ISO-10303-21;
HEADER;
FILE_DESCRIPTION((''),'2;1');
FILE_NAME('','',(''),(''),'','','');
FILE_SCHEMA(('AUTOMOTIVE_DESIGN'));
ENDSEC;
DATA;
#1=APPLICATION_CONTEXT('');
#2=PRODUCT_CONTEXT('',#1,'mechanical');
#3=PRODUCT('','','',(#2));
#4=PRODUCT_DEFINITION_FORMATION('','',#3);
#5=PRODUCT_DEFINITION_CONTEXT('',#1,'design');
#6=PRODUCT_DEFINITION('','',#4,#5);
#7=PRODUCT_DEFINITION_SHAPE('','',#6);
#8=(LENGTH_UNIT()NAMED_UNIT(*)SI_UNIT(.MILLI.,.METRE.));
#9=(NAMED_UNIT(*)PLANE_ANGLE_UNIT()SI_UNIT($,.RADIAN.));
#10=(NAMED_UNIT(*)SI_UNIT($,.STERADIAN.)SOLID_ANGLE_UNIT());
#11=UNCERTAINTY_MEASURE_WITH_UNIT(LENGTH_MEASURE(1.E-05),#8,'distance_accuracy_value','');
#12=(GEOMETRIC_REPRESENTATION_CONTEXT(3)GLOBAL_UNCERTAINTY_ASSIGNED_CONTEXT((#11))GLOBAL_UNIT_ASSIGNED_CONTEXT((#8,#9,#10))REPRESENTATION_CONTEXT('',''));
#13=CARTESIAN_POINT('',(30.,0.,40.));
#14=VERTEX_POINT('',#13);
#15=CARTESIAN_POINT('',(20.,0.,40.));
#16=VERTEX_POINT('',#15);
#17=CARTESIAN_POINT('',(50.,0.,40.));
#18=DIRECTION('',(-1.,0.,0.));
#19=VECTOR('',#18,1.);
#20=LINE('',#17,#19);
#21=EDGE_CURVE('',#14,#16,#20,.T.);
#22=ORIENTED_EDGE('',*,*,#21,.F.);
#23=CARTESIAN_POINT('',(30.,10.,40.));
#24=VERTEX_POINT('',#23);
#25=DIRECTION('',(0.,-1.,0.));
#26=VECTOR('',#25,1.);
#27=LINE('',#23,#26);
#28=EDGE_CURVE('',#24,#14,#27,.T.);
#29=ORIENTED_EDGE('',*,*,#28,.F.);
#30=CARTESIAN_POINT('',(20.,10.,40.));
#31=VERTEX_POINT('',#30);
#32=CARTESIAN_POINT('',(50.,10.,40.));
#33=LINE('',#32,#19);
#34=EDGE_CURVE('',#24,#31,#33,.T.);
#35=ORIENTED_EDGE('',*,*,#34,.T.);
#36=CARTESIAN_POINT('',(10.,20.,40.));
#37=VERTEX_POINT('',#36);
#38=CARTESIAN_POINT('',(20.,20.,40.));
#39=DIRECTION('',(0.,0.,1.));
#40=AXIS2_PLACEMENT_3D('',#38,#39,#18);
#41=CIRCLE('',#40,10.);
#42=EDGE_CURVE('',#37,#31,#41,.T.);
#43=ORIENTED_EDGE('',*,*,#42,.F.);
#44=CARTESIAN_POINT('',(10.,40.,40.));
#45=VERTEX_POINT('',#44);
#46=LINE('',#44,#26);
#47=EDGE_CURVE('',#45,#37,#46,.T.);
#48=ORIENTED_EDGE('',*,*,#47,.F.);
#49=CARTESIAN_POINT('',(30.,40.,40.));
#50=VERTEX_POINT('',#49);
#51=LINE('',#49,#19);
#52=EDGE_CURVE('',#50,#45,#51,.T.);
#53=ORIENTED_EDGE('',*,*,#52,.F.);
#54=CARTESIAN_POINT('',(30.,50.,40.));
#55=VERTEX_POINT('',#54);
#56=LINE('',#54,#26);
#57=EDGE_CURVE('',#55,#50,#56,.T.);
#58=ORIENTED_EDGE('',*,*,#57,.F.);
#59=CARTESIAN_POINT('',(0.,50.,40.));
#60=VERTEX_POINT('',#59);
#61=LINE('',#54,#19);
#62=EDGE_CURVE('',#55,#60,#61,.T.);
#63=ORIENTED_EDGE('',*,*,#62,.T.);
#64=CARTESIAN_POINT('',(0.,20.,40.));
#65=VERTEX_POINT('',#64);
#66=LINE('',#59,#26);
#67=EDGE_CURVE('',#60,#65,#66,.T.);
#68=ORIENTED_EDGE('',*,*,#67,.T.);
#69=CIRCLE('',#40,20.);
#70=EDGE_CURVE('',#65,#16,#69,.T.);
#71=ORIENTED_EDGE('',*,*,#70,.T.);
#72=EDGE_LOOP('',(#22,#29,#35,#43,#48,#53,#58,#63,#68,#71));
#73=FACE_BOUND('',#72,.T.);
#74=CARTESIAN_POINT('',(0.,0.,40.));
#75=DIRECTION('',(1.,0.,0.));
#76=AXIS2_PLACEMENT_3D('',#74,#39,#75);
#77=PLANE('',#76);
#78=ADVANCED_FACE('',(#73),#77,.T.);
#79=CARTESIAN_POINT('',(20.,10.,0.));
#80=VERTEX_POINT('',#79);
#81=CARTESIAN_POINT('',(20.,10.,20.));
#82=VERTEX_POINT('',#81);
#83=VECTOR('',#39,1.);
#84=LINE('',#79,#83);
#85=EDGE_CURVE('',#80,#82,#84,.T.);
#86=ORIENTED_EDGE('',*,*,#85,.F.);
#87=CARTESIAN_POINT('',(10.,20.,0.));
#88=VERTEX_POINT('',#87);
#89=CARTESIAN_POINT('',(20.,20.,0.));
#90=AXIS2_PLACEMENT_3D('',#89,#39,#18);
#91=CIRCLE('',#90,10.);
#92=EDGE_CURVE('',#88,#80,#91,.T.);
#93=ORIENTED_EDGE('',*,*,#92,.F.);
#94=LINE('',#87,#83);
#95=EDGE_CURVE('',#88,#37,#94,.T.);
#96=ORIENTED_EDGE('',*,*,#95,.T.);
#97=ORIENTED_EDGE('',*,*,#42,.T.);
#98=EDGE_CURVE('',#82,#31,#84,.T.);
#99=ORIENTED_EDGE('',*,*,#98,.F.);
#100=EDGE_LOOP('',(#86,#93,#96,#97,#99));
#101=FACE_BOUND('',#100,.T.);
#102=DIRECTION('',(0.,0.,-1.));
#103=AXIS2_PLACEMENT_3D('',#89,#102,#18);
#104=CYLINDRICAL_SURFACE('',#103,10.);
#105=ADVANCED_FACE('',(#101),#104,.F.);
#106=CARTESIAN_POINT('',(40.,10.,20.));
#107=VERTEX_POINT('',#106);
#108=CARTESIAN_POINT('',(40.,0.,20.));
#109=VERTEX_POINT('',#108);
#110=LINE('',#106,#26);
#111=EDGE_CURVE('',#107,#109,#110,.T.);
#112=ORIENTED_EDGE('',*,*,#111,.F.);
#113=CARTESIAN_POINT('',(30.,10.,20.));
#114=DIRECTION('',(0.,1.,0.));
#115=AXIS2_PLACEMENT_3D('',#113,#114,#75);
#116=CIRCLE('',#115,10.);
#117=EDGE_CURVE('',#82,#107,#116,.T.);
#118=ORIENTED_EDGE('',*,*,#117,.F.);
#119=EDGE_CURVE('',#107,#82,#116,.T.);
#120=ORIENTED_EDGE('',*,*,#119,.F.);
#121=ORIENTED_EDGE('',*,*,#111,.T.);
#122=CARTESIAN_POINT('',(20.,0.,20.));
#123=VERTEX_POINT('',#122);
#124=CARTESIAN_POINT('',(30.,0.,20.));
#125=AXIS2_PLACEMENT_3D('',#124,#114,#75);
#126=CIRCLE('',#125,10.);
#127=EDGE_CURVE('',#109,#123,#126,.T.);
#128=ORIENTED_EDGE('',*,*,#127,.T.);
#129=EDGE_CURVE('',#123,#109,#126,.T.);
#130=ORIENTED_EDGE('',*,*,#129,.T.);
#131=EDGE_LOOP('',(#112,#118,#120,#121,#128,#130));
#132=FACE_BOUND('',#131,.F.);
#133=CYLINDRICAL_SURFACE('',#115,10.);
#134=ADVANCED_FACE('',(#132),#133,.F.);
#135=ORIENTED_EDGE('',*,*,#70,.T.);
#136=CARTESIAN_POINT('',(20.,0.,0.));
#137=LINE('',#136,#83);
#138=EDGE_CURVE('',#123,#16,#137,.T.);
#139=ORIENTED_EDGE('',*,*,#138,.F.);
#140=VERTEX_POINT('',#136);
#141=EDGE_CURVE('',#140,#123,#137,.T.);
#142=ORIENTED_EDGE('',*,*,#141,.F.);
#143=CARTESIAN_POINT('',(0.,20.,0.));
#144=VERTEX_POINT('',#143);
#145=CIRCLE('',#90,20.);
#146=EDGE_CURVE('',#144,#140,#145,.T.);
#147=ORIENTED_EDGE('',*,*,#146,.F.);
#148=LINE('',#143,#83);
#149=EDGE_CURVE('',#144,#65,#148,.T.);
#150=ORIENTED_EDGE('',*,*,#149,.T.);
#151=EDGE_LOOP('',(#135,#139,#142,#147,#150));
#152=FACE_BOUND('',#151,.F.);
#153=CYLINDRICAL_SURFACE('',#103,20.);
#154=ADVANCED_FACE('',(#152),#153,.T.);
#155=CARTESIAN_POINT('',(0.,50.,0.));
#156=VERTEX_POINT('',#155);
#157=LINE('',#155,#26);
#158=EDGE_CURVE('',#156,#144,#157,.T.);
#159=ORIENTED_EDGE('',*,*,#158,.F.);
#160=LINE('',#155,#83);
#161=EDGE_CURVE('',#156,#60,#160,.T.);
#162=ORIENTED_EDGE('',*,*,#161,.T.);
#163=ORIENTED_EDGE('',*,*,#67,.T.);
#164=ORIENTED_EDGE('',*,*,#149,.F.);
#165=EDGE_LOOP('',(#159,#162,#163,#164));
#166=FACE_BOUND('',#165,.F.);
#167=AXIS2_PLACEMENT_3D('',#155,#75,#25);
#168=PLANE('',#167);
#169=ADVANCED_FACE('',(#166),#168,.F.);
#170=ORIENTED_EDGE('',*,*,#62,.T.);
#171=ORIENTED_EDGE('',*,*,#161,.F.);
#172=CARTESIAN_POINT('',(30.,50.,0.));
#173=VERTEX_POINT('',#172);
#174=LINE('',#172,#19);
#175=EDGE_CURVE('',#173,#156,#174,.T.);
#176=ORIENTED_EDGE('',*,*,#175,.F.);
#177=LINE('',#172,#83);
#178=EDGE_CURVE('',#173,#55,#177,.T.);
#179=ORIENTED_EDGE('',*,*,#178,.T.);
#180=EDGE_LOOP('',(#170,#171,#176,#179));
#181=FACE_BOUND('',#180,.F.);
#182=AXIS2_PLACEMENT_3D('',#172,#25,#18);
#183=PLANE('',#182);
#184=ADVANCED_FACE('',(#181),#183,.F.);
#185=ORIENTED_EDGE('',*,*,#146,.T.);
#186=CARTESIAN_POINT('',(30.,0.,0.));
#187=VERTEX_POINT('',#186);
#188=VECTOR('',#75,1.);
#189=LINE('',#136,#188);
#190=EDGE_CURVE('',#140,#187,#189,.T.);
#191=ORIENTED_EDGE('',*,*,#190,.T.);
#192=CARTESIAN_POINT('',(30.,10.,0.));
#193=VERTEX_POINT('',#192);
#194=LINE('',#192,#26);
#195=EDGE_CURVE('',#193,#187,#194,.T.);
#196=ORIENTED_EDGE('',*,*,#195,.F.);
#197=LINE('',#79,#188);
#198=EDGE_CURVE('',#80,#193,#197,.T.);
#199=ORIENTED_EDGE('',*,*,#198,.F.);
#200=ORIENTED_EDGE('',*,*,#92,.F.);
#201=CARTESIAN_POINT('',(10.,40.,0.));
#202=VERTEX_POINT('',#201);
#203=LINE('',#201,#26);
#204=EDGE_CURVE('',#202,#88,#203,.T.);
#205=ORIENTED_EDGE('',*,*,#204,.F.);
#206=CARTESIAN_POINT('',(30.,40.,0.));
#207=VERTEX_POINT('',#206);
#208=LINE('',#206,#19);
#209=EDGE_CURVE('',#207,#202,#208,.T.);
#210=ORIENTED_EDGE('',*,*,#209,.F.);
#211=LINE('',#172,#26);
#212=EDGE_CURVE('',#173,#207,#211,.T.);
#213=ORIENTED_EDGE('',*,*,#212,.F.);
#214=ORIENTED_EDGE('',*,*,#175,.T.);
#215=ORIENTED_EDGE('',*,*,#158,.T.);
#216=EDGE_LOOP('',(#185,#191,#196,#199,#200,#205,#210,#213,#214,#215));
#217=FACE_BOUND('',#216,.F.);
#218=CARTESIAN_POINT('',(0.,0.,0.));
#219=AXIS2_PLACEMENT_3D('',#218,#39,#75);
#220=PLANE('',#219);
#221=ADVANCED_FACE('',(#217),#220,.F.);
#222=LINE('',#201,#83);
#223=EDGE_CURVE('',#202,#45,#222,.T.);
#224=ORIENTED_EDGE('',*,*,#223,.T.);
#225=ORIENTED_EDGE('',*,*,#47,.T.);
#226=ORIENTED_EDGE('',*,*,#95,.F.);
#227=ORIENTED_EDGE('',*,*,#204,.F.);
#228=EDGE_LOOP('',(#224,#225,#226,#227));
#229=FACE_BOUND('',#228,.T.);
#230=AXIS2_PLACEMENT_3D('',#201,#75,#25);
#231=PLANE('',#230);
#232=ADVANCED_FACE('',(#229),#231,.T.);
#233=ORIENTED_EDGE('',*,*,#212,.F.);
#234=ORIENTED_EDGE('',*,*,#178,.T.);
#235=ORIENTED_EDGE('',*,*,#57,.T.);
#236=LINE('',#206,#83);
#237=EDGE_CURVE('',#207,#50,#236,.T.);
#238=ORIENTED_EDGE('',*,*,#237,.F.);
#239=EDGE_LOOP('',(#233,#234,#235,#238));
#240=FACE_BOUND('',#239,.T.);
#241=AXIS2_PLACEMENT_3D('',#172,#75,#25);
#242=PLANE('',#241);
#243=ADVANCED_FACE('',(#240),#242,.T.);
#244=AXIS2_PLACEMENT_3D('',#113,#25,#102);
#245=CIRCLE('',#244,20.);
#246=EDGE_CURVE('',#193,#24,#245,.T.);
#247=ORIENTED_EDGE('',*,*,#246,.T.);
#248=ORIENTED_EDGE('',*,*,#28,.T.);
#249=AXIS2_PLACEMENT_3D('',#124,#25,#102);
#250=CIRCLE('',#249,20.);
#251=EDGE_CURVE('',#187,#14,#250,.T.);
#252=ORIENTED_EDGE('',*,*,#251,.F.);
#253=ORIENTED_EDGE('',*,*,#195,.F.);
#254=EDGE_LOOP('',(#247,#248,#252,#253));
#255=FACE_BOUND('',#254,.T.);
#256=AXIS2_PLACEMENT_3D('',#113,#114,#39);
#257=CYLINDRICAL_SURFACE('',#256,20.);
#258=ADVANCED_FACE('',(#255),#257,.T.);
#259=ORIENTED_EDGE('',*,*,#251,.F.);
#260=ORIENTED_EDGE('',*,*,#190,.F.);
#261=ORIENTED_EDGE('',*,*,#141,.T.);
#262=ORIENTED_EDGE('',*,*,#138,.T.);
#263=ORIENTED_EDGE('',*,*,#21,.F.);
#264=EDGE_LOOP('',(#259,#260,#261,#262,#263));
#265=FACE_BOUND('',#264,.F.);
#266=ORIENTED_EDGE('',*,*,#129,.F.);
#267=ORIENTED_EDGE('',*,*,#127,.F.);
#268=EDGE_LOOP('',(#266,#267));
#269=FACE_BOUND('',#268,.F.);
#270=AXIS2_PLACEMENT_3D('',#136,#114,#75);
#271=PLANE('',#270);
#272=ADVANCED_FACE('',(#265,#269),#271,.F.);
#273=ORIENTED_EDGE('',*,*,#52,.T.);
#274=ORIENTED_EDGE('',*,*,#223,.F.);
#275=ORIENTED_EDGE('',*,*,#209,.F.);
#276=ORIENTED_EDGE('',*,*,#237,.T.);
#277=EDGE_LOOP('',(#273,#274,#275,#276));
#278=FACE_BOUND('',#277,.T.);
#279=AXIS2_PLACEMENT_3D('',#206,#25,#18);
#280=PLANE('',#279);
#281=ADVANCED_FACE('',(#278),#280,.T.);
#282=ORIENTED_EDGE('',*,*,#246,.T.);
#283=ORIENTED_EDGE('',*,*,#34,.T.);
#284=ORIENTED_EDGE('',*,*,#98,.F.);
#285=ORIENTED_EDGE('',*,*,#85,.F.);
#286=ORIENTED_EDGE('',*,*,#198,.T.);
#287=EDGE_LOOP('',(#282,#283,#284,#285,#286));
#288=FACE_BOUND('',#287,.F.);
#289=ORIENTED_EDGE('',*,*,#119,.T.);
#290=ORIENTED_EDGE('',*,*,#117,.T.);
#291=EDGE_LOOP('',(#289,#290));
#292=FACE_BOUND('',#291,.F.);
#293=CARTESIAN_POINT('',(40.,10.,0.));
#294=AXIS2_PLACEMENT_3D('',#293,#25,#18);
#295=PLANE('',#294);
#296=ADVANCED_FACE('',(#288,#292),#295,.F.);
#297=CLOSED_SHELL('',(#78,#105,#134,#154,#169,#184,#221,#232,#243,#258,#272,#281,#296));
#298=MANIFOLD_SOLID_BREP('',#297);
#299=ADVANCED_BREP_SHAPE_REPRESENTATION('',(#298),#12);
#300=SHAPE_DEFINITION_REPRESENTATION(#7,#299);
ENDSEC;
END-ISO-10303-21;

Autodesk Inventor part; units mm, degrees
ref_plane "YZ Plane" through (0, 0, 0) normal (1, 0, 0) x (0, 1, 0)
ref_plane "XZ Plane" through (0, 0, 0) normal (0, 1, 0) x (-1, 0, 0)
ref_plane "XY Plane" through (0, 0, 0) normal (0, 0, 1) x (1, 0, 0)
sketch "草圖1" plane through (0, 0, 0) normal (0, 0, 1) x (1, 0, 0)
  line L0 (20, 0) -> (40, 0)
  line L1 (30, 50) -> (0, 50)
  line L2 (0, 50) -> (0, 20)
  arc A0 (0, 20) -> (20, 0) centre (20, 20) ccw
  line L3 (30, 50) -> (30, 40)
  line L4 (30, 40) -> (10, 40)
  line L5 (10, 40) -> (10, 20)
  arc A1 (10, 20) -> (20, 10) centre (20, 20) ccw
  line L6 (40, 10) -> (20, 10)
  line L7 (40, 0) -> (50, 0)
  line L8 (50, 0) -> (50, 10)
  line L9 (50, 10) -> (40, 10)
  point P0 (0, 0)
  dimension "d0" = 30
  dimension "d1" = 10
  dimension "d9" = 10
  dimension "d10" = 20
  dimension "d11" = 20
  dimension "d17" = 10
  dimension "d18" = 10
extrude "擠出1" add sketch "草圖1" along normal blind 40
sketch "草圖2" plane through (20, 10, 0) normal (0, 1, 0) x (1, 0, 0)
  circle A0 centre (10, -20) radius 10
  point P0 (-20, 0)
  dimension "d14" = 20
extrude "擠出2" cut sketch "草圖2" against normal blind 40
sketch "草圖3" plane through (20, 10, 0) normal (0, 1, 0) x (1, 0, 0)
  line L0 (30, 0) -> (0, 0) projected
  line L1 (30, 0) -> (30, -40) projected
  line L2 (30, -40) -> (0, -40) projected
  arc A0 (10, -40) -> (10, 0) centre (10, -20) ccw
  line L3 (10, -40) -> (30, -40)
  line L4 (30, -20) -> (30, 0)
  point P0 (-20, 0)
  dimension "d20" = 40
extrude "擠出3" cut sketch "草圖3" against normal blind 40
properties part number "40823233"
